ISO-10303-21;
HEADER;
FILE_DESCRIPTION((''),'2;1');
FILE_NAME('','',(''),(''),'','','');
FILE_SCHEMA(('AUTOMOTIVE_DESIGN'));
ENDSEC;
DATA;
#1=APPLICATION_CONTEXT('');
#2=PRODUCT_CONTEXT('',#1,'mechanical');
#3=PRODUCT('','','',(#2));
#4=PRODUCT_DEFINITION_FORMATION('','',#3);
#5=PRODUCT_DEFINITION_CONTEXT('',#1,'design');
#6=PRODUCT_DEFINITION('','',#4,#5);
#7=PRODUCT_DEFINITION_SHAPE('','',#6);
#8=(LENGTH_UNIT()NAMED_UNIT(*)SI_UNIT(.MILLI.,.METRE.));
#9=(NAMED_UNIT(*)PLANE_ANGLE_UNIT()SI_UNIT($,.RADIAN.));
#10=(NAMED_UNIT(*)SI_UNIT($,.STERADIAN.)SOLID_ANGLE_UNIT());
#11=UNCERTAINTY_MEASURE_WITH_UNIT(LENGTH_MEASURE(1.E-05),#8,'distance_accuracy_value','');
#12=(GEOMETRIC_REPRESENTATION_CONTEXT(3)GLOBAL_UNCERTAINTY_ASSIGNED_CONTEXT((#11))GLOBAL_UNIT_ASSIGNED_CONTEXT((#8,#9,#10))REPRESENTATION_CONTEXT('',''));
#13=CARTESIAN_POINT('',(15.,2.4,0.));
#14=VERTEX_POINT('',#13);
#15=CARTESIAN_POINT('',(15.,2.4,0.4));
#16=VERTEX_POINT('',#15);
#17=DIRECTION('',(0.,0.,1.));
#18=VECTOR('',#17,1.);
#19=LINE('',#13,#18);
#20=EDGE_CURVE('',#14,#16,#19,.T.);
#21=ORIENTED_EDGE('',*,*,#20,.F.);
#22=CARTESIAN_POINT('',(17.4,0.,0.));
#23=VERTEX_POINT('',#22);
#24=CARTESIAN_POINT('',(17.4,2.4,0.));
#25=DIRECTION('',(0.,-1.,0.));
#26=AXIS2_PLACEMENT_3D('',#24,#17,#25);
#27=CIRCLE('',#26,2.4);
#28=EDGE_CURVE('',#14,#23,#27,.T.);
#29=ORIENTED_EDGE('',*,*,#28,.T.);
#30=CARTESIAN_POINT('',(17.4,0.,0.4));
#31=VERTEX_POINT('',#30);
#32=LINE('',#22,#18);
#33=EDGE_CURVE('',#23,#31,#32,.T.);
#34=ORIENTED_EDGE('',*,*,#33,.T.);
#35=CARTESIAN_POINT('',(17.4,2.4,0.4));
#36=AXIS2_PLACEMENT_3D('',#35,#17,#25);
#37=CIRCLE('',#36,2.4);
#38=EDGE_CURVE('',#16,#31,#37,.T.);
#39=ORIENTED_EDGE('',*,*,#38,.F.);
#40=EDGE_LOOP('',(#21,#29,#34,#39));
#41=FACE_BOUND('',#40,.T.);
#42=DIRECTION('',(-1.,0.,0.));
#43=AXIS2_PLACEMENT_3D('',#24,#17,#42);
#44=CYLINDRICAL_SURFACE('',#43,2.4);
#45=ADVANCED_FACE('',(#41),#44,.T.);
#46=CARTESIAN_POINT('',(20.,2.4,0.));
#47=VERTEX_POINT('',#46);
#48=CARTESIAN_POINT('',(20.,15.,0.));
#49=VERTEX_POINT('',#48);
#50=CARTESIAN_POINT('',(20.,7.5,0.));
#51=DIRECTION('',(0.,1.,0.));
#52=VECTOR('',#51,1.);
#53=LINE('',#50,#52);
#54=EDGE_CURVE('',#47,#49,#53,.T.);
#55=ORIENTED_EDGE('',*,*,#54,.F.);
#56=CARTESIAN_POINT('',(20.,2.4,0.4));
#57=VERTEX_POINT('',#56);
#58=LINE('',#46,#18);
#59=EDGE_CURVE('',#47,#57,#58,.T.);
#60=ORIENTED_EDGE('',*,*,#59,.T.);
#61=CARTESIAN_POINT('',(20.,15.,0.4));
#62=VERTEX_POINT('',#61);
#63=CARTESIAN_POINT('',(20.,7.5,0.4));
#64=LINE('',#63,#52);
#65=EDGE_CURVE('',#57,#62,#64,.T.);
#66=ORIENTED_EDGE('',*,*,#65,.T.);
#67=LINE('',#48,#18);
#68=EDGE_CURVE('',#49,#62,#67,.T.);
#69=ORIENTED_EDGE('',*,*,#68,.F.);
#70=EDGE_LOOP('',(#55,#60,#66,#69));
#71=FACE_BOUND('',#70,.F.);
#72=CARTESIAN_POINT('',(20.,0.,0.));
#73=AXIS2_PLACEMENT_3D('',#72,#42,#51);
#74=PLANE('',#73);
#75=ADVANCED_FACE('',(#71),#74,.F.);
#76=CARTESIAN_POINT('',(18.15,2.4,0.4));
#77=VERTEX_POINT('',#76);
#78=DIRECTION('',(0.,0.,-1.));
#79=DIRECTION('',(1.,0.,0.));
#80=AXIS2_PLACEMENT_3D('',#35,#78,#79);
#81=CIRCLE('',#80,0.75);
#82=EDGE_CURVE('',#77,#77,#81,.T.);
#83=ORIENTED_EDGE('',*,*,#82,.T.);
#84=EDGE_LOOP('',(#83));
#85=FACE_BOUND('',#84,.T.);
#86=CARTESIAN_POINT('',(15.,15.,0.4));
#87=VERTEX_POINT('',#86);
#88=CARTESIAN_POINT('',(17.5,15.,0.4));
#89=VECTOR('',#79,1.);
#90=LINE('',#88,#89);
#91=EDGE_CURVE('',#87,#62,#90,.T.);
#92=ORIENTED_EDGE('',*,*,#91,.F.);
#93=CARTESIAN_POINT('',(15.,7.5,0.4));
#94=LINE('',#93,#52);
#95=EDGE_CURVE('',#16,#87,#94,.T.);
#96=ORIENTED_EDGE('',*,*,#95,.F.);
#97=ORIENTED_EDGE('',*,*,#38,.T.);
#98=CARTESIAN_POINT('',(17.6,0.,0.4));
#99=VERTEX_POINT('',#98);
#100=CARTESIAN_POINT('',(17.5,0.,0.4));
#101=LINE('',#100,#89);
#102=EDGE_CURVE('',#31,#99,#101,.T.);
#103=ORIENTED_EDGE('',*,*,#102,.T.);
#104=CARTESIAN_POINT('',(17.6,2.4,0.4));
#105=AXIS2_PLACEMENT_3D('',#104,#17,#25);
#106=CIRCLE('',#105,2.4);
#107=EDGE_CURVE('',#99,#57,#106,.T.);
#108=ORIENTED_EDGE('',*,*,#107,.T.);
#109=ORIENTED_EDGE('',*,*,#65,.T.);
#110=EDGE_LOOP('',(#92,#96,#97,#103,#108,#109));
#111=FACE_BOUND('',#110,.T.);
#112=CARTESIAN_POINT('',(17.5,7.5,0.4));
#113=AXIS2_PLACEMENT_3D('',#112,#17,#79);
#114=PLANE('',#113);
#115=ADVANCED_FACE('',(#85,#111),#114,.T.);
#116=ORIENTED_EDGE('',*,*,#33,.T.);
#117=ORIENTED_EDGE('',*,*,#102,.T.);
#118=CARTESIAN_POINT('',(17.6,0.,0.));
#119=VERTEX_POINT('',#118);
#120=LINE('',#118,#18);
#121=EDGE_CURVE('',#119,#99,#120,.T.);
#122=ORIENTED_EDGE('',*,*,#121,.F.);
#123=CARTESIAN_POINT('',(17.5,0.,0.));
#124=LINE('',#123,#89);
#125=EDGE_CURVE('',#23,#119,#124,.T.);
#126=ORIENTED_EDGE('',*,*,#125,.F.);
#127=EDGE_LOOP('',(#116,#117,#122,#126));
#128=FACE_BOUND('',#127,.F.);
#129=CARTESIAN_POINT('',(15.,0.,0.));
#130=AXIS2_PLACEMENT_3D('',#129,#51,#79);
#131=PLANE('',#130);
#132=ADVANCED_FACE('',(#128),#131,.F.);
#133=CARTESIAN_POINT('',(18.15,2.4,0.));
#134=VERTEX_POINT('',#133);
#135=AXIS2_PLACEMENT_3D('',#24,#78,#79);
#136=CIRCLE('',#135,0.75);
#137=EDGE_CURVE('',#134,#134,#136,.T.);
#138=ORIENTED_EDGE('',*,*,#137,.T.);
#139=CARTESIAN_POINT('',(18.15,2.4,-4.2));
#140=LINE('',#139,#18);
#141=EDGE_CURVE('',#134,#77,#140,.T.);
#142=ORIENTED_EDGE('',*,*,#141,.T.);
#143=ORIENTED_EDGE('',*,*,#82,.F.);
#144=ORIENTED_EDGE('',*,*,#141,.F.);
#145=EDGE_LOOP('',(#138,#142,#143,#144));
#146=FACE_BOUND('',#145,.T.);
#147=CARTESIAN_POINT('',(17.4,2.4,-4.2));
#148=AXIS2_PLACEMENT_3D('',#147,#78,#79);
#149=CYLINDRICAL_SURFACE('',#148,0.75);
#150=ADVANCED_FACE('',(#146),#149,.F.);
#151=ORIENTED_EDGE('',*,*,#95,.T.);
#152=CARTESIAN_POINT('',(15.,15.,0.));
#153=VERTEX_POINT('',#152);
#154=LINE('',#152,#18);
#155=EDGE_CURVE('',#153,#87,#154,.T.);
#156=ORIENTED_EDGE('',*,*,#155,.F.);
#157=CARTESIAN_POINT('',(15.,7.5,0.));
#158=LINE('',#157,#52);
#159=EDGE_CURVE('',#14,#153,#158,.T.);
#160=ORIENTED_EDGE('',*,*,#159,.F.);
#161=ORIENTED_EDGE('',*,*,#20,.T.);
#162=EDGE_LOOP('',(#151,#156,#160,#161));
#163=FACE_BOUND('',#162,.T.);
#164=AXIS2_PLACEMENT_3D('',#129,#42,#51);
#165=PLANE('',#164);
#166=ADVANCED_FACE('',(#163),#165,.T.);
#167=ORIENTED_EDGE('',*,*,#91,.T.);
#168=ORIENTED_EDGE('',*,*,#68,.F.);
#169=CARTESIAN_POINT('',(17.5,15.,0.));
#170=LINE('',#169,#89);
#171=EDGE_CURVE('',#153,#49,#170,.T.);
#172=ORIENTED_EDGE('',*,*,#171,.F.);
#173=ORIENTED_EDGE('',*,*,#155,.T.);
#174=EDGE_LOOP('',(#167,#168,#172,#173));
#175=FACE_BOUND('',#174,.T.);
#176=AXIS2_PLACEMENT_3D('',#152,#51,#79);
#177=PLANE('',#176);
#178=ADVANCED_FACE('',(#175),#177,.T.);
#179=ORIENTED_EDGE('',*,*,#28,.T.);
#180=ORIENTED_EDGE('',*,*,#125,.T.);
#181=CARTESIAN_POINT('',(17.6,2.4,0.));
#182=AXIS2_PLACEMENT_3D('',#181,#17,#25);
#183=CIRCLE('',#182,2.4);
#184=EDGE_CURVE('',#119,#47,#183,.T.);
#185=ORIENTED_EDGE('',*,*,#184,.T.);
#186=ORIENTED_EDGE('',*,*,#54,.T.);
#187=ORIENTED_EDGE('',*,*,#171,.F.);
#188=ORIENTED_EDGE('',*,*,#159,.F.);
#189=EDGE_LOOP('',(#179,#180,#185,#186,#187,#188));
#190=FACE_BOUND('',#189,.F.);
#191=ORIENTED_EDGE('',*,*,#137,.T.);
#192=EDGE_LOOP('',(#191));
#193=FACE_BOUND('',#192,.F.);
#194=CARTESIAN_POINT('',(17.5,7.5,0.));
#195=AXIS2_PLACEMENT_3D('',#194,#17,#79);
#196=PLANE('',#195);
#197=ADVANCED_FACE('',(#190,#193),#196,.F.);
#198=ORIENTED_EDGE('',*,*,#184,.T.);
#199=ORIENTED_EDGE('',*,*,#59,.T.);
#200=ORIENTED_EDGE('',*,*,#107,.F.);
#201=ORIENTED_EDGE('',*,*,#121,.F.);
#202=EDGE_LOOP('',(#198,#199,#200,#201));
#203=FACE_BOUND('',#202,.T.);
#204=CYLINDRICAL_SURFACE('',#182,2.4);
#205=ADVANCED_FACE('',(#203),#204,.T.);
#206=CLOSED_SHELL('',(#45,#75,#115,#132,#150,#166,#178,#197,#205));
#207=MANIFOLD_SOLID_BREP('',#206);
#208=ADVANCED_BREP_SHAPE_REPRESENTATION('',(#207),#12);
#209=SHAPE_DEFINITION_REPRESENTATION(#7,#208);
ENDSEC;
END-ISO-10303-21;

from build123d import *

# Parameters (mm, degrees)
CYLINDER_R     = 0.75
CYLINDER_DEPTH = 10
BOX_W          = 5
BOX_H          = 15
BOX_DEPTH      = 0.4
FILLET_R       = 2.4


with BuildPart() as cylinder:
    # Cylinder → Cylinder (new body)
    with BuildSketch(Plane(origin=(17.4, 2.4, -4.2), x_dir=(1, 0, 0), z_dir=(0, 0, 1))):
        Circle(CYLINDER_R)
    extrude(amount=CYLINDER_DEPTH)


with BuildPart() as cut:
    # Box → Box (new body)
    with BuildSketch(Plane(origin=(15, 0, 0), x_dir=(1, 0, 0), z_dir=(0, 0, 1))):
        with Locations((2.5, 7.5)):
            Rectangle(BOX_W, BOX_H)
    extrude(amount=BOX_DEPTH)

    # Fillet
    fillet_edges = [cut.edges().sort_by_distance(p)[0] for p in [
        (15, 0, 0.2),
        (20, 0, 0.2),
    ]]
    fillet(fillet_edges, radius=FILLET_R)

    # Cut: cut Cylinder
    add(cylinder.part, mode=Mode.SUBTRACT)


solid = cut.part
